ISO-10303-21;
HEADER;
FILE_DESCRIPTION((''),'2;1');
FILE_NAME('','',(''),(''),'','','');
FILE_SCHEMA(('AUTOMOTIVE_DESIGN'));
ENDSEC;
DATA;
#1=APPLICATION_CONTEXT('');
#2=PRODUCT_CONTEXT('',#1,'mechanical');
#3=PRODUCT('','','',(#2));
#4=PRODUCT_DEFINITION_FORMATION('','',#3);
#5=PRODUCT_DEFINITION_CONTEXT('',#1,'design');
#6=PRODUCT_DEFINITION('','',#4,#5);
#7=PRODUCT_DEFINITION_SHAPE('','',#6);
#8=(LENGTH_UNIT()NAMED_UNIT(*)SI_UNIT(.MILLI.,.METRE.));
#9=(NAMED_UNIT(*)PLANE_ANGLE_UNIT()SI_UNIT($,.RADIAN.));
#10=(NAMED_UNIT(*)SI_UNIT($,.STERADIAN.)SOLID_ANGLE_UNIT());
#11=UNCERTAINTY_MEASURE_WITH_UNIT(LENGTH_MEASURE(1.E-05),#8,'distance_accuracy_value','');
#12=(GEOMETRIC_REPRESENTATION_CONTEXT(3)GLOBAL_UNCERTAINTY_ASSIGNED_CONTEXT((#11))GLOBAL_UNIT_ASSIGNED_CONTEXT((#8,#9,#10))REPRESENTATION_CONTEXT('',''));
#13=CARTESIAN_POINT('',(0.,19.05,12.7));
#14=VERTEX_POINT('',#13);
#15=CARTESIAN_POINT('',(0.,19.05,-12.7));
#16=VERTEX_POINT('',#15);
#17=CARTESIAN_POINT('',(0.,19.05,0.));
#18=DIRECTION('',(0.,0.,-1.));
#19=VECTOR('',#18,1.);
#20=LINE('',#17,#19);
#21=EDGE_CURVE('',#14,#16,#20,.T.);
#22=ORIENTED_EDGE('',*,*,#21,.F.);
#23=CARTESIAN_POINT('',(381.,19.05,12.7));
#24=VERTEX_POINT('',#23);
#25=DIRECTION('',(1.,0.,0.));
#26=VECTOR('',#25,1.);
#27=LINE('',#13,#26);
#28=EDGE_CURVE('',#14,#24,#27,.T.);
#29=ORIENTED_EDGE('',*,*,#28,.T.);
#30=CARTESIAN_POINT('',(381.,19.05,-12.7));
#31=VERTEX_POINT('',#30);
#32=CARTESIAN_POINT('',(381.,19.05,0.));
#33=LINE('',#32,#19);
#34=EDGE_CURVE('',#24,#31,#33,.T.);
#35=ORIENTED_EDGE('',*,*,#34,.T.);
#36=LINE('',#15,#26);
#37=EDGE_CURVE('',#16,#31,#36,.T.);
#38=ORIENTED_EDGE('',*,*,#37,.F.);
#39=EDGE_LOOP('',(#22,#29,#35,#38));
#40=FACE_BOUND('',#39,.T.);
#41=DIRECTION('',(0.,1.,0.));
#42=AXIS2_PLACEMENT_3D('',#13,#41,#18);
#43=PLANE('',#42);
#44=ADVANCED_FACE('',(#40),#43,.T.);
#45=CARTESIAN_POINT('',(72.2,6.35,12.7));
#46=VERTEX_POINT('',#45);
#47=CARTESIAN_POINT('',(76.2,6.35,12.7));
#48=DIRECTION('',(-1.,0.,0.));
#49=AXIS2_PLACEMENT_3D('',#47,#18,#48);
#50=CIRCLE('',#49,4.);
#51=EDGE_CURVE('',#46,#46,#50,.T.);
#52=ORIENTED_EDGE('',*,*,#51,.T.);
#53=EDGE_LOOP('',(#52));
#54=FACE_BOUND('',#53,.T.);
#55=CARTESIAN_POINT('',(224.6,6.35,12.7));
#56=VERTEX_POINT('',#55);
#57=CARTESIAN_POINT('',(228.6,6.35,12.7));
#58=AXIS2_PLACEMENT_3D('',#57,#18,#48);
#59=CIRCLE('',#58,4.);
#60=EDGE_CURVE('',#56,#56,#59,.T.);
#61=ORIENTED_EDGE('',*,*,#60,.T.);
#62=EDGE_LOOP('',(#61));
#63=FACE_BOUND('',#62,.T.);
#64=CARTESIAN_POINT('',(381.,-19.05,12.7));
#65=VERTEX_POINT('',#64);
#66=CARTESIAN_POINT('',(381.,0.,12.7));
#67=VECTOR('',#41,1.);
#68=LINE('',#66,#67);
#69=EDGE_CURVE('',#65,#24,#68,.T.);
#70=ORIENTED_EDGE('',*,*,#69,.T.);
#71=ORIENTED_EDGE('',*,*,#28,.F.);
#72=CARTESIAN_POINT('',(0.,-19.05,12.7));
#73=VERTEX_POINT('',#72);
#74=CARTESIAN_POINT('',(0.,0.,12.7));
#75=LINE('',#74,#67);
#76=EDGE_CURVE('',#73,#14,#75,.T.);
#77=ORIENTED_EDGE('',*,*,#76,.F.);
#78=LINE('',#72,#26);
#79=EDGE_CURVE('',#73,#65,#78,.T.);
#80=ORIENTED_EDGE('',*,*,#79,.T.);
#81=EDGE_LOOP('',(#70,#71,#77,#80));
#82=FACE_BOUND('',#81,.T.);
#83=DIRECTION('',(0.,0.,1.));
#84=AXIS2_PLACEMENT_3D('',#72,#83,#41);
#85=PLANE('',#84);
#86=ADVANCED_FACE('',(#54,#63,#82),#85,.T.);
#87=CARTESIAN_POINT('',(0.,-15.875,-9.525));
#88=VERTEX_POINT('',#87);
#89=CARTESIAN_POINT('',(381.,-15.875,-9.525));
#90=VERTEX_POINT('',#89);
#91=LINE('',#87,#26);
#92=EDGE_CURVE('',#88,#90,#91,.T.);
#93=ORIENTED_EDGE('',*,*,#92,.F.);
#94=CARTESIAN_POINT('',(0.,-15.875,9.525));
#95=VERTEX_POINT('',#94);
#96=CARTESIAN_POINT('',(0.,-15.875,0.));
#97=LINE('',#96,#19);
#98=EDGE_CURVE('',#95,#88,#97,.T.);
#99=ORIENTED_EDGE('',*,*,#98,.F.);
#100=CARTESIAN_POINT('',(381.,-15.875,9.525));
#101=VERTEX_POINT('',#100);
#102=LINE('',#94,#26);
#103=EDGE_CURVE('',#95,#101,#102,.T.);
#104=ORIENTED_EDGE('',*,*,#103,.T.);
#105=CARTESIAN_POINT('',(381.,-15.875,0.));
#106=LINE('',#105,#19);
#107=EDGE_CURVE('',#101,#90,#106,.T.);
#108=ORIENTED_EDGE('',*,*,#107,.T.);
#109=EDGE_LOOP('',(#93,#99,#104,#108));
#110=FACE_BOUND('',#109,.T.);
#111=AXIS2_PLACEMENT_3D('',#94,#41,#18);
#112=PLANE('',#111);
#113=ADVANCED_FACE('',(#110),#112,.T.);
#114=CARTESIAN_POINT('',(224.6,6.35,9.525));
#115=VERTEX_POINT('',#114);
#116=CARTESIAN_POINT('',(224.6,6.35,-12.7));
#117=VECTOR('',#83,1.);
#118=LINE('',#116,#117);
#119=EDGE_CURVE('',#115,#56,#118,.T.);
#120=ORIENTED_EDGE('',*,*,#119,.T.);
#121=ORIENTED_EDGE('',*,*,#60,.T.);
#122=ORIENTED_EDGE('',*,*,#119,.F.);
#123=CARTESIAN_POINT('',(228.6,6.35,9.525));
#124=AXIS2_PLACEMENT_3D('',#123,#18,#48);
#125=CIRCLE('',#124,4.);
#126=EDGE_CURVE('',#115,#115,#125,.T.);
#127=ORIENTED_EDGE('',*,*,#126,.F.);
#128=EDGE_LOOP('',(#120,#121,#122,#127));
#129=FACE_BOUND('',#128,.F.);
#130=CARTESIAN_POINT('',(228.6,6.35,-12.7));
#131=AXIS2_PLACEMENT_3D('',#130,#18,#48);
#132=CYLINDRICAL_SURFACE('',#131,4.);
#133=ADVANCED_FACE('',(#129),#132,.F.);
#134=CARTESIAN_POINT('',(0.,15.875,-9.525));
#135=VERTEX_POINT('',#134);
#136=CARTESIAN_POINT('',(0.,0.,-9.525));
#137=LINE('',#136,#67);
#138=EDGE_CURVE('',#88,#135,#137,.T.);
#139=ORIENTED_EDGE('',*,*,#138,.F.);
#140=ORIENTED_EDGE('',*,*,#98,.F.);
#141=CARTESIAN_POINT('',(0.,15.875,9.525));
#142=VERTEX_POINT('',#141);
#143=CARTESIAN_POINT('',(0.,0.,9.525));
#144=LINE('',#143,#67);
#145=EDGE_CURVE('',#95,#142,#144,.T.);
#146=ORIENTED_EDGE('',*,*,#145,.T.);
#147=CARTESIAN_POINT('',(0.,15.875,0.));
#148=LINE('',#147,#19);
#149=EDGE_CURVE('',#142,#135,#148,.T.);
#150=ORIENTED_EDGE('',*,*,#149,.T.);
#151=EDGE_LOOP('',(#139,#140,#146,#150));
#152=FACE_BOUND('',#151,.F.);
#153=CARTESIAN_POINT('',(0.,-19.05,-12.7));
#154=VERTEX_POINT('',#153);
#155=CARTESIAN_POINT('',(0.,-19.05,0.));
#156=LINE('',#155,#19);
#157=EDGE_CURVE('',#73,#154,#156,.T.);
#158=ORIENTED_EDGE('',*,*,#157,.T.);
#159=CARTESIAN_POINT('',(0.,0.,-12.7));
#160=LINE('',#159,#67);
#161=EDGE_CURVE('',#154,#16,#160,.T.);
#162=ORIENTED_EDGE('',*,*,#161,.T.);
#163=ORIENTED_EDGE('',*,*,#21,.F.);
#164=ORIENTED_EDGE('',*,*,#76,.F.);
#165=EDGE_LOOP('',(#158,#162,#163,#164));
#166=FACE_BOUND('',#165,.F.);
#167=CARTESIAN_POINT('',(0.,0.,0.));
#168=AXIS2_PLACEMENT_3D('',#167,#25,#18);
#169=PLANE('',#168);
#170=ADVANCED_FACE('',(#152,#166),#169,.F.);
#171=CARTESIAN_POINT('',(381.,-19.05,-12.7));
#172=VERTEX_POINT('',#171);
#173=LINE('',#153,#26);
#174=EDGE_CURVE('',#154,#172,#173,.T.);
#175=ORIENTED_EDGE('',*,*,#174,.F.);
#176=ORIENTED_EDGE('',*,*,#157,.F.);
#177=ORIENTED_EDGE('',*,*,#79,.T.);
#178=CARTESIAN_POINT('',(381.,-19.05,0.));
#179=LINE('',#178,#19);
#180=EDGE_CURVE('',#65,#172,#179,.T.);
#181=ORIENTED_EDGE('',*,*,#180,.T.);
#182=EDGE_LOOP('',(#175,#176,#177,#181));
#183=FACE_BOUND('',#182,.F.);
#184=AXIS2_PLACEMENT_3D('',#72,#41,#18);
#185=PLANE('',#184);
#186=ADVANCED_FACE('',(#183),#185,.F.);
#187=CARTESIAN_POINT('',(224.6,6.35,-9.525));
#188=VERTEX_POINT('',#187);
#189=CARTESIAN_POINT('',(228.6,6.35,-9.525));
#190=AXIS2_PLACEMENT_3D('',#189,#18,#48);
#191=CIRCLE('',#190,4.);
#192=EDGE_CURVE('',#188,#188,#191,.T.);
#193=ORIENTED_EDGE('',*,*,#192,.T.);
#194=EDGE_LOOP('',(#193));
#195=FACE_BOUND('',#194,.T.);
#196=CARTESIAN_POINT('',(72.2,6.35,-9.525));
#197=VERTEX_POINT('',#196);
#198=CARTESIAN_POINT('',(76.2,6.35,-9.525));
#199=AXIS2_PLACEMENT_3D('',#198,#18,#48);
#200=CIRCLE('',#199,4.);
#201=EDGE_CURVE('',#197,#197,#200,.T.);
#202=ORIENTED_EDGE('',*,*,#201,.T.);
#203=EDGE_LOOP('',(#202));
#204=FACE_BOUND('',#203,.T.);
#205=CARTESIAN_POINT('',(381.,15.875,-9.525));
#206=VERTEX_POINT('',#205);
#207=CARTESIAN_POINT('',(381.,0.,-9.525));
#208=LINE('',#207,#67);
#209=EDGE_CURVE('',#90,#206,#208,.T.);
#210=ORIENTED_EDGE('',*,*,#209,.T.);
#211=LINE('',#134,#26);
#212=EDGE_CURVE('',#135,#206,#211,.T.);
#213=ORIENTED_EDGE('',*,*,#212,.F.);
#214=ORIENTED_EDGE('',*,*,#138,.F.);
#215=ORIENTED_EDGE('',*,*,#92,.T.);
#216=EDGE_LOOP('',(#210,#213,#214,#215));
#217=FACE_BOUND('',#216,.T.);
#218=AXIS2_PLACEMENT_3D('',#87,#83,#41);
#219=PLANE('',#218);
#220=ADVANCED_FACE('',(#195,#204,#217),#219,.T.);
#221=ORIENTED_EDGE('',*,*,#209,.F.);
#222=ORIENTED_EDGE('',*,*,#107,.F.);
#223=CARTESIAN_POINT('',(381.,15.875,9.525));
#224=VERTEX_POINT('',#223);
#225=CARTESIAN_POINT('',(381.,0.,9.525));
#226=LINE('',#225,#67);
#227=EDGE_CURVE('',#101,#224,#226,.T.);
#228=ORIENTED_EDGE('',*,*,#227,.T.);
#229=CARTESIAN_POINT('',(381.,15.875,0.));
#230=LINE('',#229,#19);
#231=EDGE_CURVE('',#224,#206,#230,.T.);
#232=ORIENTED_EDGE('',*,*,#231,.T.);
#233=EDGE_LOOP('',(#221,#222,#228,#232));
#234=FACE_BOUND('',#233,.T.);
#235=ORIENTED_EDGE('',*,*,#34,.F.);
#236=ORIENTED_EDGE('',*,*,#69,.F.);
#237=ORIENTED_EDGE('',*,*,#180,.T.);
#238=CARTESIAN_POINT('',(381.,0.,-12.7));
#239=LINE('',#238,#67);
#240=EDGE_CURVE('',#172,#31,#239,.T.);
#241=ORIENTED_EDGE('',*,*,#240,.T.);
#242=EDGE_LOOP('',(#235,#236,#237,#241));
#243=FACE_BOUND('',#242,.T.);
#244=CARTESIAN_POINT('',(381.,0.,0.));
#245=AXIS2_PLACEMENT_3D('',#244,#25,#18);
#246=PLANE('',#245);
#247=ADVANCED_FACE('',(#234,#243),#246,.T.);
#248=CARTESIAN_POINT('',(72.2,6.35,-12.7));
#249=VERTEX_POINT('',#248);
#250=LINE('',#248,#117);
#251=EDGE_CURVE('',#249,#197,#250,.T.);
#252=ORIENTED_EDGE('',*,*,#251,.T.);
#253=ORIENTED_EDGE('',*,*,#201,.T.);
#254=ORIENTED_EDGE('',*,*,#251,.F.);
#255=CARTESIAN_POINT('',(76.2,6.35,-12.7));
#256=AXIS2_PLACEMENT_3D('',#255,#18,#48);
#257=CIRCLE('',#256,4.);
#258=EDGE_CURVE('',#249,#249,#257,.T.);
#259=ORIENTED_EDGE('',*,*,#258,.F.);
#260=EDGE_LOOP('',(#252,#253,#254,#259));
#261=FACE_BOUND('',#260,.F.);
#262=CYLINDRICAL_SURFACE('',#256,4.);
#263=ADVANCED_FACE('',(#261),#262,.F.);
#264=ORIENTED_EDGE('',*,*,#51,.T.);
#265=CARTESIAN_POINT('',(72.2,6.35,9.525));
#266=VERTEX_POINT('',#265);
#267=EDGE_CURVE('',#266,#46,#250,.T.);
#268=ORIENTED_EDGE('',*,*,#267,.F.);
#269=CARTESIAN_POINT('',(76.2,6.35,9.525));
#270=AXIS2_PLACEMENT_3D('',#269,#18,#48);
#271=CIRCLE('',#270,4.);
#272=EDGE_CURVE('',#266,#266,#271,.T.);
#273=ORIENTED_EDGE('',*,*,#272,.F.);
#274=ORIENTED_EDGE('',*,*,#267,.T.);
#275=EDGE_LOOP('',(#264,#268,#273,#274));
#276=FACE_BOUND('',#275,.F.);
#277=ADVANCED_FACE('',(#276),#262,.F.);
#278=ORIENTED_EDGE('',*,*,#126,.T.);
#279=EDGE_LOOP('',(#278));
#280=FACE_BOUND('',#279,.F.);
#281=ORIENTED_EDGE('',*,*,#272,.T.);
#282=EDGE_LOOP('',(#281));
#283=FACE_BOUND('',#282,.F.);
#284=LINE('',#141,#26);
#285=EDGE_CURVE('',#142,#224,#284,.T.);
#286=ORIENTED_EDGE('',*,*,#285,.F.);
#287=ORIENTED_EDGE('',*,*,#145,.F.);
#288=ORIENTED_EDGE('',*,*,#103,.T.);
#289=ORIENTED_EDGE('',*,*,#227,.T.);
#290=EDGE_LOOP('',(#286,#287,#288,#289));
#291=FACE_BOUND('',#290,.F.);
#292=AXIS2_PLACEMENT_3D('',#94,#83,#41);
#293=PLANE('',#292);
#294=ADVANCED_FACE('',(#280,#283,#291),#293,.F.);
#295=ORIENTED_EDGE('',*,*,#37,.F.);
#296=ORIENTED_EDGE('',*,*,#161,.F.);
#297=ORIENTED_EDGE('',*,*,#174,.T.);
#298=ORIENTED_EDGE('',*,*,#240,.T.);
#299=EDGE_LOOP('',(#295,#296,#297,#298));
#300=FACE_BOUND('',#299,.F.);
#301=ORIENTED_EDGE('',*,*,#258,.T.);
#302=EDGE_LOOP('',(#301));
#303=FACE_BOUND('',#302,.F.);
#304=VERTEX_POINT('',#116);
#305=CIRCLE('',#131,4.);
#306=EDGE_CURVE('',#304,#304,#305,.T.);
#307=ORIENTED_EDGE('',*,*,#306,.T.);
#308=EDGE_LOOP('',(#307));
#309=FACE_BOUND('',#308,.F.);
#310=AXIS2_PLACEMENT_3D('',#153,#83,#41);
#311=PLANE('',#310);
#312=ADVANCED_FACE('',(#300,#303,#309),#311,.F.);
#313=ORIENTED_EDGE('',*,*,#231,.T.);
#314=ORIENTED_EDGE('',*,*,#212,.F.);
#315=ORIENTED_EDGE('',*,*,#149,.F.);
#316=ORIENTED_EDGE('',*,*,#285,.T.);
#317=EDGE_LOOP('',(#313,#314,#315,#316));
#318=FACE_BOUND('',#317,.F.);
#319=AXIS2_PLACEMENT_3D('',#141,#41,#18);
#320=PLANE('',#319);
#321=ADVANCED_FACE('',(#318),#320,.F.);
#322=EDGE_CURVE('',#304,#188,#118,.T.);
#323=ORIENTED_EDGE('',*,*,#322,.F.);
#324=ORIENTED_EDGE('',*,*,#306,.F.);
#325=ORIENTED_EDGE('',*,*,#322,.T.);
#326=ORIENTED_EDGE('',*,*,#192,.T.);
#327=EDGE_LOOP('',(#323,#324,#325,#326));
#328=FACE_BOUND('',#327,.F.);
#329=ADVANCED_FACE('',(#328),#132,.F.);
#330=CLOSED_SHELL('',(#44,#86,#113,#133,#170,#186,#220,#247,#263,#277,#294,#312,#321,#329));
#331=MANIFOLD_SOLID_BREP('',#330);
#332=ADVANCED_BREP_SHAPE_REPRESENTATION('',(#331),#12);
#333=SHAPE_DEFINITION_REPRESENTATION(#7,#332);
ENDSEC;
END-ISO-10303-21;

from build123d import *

# Parameters (mm, degrees)
SKETCH1_W           = 25.4
SKETCH1_H           = 38.1
SKETCH1_W_2         = 19.05
SKETCH1_H_2         = 31.75
BOSS_EXTRUDE1_DEPTH = 381
SKETCH2_R           = 4
CUT_EXTRUDE1_DEPTH  = 26.4


with BuildPart() as part:
    # Sketch1 → Boss-Extrude1 (new body)
    with BuildSketch(Plane(origin=(0, 0, 0), x_dir=(0, 0, -1), z_dir=(1, 0, 0))):
        Rectangle(SKETCH1_W, SKETCH1_H)
        Rectangle(SKETCH1_W_2, SKETCH1_H_2, mode=Mode.SUBTRACT)
    extrude(amount=BOSS_EXTRUDE1_DEPTH)

    # Sketch2 → Cut-Extrude1 (cut, through all)
    with BuildSketch(Plane(origin=(0, 0, -12.7), x_dir=(-1, 0, 0), z_dir=(0, 0, -1))):
        with Locations((-76.2, 6.35)):
            Circle(SKETCH2_R)
        with Locations((-228.6, 6.35)):
            Circle(SKETCH2_R)
    extrude(amount=-CUT_EXTRUDE1_DEPTH, mode=Mode.SUBTRACT)


solid = part.part
